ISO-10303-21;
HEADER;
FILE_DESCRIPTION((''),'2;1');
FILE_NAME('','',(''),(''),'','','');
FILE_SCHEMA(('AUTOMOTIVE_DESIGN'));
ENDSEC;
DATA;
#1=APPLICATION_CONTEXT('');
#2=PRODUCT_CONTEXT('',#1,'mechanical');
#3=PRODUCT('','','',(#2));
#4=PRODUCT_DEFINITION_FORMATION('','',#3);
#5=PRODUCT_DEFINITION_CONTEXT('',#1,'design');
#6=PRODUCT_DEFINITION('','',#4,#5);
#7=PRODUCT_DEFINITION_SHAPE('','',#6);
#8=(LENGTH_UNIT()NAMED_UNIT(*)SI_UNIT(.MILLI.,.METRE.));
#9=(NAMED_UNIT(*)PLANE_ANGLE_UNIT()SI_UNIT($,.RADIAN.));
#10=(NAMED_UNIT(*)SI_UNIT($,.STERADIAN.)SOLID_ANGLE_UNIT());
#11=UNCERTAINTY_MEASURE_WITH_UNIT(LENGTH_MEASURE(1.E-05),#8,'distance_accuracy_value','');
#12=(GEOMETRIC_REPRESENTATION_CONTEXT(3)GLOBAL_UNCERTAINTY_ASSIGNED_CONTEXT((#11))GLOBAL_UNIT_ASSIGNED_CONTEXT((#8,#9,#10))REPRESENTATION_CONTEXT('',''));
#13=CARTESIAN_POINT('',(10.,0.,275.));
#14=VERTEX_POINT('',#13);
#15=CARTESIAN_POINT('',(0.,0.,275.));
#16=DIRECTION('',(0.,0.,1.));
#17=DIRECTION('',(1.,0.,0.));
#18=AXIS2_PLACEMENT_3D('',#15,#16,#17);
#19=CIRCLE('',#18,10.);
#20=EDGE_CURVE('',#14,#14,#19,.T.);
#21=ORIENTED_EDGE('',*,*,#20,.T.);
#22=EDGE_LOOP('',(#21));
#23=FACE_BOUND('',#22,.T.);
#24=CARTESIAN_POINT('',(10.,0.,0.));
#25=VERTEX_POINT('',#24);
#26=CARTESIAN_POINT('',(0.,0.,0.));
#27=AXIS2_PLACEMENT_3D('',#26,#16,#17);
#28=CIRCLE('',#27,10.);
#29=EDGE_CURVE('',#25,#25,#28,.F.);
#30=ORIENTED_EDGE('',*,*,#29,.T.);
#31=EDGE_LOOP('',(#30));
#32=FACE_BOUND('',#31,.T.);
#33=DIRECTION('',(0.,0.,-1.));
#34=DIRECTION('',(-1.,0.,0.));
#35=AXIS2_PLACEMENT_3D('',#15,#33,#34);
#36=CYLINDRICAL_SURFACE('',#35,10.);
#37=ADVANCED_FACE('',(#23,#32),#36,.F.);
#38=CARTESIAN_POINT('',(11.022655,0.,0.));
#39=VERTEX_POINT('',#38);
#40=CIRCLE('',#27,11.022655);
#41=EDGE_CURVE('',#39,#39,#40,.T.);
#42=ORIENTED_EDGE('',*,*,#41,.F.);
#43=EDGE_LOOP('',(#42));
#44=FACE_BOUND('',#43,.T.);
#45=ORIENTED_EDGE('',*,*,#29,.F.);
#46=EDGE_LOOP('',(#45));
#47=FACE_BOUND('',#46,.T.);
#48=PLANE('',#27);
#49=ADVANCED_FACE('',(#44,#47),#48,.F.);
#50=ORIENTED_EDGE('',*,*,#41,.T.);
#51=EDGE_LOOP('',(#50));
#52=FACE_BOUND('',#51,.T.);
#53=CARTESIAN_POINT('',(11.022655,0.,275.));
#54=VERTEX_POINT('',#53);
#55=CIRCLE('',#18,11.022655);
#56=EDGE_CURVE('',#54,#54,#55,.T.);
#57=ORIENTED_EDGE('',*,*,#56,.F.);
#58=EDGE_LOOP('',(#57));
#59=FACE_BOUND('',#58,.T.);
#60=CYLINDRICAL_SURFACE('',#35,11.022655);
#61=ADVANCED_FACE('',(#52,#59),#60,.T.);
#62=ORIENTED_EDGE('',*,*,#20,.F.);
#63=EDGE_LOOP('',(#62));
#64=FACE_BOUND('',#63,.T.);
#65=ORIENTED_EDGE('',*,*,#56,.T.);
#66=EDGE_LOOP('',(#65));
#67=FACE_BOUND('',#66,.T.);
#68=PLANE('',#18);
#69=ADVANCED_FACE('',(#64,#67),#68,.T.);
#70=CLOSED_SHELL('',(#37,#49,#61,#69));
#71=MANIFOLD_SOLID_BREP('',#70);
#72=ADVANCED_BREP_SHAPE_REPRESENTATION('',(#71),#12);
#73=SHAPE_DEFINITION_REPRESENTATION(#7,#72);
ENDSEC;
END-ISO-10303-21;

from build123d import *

# Parameters (mm, degrees)
SKETCH3_R               = 11.022655214
BOSS_EXTRUDE1_DEPTH     = 275
CUT_EXTRUDE1_DEPTH      = 275
CUT_EXTRUDE1_DEPTH_BACK = 275
SKETCH2_R               = 10


with BuildPart() as part:
    # Sketch3 → Boss-Extrude1 (new body)
    with BuildSketch(Plane.XY):
        Circle(SKETCH3_R)
    extrude(amount=BOSS_EXTRUDE1_DEPTH)

    # Sketch2 → Cut-Extrude1 (cut, two sides: drawn at the far end of the back side and taken through both)
    with BuildSketch(Plane.XY.offset(-CUT_EXTRUDE1_DEPTH_BACK)):
        Circle(SKETCH2_R)
    extrude(amount=CUT_EXTRUDE1_DEPTH + CUT_EXTRUDE1_DEPTH_BACK, mode=Mode.SUBTRACT)


solid = part.part
